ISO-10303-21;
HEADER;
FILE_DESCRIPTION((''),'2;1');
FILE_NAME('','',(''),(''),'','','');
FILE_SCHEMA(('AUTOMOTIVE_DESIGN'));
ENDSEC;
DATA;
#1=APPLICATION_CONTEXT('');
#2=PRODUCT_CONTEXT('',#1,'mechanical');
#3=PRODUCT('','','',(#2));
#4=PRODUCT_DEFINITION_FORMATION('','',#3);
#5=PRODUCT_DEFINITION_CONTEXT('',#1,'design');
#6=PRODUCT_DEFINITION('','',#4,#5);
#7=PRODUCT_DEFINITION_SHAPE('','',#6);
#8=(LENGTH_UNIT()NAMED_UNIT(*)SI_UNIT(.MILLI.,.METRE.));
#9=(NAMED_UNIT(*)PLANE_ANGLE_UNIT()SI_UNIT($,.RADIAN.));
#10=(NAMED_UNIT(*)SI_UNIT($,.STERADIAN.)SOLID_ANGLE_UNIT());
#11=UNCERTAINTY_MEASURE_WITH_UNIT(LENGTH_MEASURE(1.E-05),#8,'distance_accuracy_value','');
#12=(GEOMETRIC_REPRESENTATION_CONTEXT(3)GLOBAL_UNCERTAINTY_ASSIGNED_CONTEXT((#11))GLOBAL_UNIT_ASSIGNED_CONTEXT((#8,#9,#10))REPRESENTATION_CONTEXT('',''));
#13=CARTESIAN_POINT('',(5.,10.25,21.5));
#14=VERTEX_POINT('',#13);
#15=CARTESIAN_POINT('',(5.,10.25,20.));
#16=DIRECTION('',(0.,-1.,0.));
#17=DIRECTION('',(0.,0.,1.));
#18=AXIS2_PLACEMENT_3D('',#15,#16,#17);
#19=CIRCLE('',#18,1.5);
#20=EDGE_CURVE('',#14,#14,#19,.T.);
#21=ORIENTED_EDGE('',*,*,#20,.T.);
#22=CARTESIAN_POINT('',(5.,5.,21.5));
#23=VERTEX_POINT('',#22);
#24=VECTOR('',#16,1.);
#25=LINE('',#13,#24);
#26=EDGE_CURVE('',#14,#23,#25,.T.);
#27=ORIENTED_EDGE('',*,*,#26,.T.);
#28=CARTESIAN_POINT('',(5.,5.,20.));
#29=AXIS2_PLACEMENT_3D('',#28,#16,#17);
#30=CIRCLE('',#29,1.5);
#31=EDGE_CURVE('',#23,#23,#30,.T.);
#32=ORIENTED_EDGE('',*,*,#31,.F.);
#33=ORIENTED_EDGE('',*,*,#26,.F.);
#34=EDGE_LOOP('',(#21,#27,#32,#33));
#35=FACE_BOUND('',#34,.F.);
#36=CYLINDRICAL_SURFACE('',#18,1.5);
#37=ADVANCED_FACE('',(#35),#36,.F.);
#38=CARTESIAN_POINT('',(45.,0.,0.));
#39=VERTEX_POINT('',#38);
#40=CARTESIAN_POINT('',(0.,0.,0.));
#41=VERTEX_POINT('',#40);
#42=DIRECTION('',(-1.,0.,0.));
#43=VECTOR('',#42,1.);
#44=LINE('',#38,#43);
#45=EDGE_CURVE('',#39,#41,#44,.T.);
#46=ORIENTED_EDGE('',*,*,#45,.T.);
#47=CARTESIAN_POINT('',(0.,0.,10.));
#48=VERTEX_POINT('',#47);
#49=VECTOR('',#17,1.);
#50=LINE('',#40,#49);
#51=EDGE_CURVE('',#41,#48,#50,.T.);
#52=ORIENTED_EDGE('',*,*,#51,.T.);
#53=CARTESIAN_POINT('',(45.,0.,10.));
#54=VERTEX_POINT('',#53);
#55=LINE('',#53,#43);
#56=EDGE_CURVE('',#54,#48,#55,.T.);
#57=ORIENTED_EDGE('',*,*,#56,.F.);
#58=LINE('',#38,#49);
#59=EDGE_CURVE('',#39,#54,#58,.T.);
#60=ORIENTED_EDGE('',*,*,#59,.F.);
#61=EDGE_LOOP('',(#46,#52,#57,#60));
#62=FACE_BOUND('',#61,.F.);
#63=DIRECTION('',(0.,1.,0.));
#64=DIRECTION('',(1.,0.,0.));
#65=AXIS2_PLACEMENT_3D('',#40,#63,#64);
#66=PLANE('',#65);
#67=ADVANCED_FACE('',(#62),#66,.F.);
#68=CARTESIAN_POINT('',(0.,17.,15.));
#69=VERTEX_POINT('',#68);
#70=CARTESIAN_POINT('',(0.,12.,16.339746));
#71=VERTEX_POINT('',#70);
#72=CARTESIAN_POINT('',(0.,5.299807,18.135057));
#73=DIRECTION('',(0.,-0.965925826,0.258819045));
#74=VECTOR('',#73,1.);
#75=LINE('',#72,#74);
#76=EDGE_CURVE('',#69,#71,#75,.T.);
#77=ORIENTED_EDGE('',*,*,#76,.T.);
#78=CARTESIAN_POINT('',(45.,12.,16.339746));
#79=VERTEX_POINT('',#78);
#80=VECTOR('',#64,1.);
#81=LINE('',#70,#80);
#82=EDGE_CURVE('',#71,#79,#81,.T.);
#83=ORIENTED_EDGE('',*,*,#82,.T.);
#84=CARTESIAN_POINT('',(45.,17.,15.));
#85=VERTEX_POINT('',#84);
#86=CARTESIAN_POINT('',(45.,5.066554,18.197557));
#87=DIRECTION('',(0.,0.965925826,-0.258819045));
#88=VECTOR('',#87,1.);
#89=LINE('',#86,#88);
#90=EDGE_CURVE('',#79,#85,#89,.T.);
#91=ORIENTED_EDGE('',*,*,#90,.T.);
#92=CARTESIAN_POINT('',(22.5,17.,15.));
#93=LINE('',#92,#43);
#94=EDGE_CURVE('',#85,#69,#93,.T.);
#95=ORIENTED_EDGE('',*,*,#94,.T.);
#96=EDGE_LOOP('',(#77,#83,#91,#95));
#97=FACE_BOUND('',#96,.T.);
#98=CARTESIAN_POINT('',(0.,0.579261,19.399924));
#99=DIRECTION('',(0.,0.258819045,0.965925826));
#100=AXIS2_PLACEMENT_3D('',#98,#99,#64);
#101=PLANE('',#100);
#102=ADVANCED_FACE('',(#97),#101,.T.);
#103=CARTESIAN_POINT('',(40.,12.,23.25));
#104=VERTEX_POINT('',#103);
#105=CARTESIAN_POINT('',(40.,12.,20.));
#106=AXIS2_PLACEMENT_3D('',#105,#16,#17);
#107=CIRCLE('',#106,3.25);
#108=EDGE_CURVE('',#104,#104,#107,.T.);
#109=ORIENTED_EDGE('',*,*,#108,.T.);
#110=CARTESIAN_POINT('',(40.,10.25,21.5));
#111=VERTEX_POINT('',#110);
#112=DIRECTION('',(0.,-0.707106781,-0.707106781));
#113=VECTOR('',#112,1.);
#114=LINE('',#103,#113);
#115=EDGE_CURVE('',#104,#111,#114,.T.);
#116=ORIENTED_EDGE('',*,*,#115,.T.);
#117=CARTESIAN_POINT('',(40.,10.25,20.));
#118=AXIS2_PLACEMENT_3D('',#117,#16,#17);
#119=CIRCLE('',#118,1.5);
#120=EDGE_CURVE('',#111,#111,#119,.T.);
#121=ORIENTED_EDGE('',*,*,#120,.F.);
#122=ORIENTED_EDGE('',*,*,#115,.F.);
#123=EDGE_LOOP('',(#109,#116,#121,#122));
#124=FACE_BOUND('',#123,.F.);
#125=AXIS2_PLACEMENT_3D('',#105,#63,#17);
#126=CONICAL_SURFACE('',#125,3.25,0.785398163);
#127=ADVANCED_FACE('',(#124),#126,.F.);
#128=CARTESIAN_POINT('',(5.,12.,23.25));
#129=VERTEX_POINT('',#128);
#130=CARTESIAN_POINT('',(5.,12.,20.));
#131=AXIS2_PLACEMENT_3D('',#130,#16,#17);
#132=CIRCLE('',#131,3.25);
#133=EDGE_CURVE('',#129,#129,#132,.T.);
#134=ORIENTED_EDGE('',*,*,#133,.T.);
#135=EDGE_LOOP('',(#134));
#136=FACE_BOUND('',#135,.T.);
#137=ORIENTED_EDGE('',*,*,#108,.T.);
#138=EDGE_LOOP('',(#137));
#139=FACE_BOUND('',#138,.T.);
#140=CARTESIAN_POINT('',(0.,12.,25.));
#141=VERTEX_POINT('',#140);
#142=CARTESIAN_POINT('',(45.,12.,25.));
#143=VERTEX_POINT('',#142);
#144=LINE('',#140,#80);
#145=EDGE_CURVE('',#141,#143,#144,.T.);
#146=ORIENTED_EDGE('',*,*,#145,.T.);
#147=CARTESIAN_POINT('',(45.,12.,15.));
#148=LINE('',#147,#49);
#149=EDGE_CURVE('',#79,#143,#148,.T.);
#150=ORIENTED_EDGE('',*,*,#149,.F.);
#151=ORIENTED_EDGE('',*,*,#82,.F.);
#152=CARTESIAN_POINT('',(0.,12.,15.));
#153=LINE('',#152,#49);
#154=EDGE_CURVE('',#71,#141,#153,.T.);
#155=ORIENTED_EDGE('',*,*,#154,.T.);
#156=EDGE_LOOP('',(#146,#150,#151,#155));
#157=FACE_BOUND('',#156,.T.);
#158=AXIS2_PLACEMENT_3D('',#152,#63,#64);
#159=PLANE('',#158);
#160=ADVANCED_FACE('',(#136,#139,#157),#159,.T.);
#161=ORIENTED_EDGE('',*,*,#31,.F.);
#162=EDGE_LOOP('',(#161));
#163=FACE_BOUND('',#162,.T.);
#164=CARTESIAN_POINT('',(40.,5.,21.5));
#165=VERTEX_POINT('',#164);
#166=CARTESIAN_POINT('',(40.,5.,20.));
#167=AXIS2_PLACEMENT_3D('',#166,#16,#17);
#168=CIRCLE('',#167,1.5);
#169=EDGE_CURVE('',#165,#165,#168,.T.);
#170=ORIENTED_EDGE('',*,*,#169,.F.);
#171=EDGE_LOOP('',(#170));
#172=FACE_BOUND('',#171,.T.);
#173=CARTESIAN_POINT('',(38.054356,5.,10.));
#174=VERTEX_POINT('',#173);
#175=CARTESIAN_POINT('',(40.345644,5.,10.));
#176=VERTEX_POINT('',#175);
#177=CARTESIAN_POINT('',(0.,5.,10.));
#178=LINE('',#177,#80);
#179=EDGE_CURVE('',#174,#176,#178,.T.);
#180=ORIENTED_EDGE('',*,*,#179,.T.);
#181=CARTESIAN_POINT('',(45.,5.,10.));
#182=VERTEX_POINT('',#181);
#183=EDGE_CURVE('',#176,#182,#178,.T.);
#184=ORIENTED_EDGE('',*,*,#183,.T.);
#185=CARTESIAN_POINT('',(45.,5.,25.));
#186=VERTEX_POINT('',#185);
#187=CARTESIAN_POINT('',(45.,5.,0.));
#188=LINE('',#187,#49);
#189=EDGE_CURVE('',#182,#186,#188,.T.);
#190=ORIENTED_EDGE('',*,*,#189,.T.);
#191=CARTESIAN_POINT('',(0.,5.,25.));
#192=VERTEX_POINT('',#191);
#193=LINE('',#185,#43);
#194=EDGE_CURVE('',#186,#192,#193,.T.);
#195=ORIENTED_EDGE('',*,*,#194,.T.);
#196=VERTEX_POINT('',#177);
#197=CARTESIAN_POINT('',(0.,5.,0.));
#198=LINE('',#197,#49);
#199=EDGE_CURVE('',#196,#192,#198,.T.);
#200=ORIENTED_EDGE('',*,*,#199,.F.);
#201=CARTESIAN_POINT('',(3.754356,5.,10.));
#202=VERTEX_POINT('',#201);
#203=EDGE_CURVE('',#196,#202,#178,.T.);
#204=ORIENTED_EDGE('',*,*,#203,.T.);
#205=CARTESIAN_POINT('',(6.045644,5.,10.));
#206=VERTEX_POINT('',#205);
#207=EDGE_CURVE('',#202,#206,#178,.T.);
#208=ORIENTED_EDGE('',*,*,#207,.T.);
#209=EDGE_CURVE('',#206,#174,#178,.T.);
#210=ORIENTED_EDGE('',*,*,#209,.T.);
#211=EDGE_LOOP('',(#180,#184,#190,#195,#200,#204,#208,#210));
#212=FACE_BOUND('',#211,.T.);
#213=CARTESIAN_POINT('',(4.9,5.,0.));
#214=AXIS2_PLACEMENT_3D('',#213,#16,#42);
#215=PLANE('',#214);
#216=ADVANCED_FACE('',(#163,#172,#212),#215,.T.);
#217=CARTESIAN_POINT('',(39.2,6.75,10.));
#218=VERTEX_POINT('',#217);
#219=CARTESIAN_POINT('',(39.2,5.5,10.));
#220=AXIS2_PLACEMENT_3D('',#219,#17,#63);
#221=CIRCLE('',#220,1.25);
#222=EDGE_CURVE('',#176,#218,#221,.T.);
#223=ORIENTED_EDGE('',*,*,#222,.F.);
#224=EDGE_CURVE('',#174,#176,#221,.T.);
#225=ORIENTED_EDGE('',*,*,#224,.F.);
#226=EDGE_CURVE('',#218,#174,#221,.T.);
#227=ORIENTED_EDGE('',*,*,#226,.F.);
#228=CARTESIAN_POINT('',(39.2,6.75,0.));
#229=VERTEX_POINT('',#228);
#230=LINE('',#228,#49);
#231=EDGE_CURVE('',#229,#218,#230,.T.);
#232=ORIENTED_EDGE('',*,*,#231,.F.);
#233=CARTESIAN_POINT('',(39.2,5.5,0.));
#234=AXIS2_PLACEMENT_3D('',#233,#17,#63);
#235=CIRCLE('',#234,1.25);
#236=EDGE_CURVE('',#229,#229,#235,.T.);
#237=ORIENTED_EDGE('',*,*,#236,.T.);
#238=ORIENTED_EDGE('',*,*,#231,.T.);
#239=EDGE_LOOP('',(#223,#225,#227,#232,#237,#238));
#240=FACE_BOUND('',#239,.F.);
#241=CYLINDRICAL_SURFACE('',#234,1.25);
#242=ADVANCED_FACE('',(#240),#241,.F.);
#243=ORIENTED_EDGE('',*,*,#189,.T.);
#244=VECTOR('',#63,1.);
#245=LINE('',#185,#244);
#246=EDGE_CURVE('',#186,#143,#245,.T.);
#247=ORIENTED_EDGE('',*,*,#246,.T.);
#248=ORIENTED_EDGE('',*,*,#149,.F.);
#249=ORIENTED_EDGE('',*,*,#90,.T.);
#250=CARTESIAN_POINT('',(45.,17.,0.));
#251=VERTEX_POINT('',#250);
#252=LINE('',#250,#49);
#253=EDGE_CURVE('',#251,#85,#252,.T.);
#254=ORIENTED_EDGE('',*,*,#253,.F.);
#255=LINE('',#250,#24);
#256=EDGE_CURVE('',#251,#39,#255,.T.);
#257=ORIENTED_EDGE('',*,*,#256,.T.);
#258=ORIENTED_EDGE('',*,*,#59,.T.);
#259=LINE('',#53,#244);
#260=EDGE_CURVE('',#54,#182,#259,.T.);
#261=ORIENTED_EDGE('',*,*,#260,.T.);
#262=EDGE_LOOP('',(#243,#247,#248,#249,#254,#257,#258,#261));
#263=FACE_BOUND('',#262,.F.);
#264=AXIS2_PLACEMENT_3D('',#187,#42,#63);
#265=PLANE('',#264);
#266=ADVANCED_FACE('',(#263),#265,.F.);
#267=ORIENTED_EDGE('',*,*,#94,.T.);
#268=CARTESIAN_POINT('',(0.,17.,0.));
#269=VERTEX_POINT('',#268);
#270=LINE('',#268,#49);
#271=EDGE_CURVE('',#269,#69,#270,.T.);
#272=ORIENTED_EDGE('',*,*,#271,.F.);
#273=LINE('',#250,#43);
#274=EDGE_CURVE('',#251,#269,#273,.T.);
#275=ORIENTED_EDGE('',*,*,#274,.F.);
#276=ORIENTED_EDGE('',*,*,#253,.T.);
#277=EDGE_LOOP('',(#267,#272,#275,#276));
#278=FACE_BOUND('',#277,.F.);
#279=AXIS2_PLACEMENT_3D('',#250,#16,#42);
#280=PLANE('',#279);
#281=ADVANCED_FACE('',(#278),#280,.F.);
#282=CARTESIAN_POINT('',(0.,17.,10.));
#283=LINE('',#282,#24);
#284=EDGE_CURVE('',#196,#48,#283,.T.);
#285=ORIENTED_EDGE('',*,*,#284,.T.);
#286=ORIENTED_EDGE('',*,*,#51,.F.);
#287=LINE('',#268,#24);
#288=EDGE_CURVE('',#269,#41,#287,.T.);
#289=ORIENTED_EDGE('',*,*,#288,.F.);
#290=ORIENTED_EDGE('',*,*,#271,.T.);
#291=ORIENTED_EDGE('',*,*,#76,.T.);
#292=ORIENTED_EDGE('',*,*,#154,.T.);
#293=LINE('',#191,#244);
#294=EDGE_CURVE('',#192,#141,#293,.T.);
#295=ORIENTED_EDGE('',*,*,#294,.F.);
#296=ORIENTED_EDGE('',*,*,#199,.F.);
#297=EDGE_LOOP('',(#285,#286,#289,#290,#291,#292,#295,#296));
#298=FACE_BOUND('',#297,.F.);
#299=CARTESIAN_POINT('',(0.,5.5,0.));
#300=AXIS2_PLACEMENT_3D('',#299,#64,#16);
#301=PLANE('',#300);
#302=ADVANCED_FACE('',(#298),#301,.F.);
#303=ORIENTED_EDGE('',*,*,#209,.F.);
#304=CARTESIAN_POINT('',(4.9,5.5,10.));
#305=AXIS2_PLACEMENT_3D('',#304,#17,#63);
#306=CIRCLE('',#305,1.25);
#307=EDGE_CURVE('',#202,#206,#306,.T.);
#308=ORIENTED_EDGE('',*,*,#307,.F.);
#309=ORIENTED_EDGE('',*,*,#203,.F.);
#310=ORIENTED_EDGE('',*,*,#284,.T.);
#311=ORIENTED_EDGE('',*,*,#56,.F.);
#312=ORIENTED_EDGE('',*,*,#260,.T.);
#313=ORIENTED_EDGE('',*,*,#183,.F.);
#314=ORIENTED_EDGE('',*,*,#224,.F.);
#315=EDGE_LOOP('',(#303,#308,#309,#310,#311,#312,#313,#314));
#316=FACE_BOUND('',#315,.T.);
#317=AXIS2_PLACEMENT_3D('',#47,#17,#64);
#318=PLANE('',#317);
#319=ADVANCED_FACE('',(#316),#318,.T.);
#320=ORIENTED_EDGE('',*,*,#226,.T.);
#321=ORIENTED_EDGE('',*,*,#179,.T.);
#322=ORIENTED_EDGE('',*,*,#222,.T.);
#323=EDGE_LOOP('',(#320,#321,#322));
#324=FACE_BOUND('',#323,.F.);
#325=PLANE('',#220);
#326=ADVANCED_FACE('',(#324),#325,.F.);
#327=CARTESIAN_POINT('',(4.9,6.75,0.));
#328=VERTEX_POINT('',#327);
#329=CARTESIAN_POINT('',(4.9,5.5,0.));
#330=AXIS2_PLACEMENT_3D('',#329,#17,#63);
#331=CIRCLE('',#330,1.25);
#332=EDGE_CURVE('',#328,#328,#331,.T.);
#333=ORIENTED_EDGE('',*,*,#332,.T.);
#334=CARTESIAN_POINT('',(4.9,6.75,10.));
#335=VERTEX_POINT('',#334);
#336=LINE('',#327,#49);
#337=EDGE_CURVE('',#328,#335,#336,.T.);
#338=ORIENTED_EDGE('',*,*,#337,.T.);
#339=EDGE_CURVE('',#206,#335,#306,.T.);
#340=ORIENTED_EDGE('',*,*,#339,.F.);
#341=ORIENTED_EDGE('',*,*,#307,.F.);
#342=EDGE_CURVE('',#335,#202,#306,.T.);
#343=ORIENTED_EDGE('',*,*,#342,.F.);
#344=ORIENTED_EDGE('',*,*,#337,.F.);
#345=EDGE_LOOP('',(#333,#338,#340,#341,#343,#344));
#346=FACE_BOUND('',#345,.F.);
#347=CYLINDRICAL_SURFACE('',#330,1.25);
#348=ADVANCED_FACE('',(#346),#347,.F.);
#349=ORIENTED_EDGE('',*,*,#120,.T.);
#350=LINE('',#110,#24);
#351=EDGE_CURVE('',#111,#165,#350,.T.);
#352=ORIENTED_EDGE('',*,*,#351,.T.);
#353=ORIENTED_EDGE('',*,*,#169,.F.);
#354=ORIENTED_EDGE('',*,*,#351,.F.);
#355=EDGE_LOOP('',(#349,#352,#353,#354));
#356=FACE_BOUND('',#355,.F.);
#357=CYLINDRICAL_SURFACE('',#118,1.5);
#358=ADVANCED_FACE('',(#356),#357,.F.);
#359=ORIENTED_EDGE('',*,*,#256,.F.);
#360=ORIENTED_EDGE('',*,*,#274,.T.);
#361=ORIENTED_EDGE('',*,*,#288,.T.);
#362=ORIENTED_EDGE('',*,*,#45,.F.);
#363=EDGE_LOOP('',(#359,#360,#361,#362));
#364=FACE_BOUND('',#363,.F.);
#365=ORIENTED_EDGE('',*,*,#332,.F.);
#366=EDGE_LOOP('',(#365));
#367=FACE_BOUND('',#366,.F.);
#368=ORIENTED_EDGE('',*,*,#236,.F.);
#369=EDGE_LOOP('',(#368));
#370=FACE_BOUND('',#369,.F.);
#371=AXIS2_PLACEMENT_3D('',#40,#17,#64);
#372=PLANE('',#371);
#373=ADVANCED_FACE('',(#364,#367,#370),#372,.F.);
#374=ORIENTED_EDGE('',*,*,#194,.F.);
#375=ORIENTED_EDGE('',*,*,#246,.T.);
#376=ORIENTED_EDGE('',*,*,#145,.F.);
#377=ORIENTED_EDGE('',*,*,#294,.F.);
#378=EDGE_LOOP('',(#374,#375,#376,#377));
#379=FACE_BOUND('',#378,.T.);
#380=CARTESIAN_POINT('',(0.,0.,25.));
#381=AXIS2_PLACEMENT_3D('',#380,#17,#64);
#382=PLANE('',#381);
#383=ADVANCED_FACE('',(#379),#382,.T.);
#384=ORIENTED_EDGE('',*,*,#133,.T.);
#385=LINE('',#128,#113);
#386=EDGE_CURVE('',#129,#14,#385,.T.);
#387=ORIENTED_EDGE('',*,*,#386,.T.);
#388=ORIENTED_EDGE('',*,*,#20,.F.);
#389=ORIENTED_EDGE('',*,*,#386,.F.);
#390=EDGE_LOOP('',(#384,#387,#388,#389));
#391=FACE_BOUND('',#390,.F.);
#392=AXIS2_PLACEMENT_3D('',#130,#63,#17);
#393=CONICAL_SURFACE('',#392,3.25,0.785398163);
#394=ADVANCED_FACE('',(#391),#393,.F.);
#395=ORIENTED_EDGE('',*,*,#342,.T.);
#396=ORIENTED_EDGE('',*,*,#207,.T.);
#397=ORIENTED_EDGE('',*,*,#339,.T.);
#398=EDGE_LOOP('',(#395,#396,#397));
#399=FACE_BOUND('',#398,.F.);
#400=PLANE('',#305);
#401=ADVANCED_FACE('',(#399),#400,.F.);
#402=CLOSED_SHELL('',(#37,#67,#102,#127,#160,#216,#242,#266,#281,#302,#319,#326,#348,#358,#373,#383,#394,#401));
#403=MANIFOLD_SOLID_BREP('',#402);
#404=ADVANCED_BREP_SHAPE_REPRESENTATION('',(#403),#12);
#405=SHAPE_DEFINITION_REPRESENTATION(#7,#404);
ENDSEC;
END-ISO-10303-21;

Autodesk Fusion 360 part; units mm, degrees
sketch "Skizze1" plane through (0, 0, 0) normal (0, 0, 1) x (1, 0, 0)
  line L0 (0, 0) -> (45, 0)
  line L1 (45, 0) -> (45, 17)
  line L2 (45, 17) -> (0, 17)
  line L3 (0, 17) -> (0, 0)
  line L4 (0, 0) -> (45, 0)
  line L5 (45, 0) -> (45, 5)
  line L6 (45, 5) -> (0, 5)
  line L7 (0, 5) -> (0, 0)
  line L8 (45, 17) -> (0, 17)
  line L9 (0, 17) -> (0, 12)
  line L10 (0, 12) -> (45, 12)
  line L11 (45, 12) -> (45, 17)
  line L12 (45, 0) -> (39.2, 0)
  line L13 (39.2, 0) -> (39.2, 5.5)
  line L14 (39.2, 5.5) -> (45, 5.5)
  line L15 (45, 5.5) -> (45, 0)
  line L16 (0, 0) -> (4.9, 0)
  line L17 (4.9, 0) -> (4.9, 5.5)
  line L18 (4.9, 5.5) -> (0, 5.5)
  line L19 (0, 5.5) -> (0, 0)
  dimension "d1" = 45
  dimension "d2" = 17
  dimension "d3" = 5
  dimension "d8" = 5
  dimension "d12" = 5.8
  dimension "d13" = 5.5
  dimension "d14" = 4.9
  dimension "d15" = 5.5
extrude "Extrusion1" add sketch "Skizze1" along normal blind 25 contours L3 L6 L17 L18 L19 | L1 L3 L6 L10 L13 L14 L17 L18 | L1 L6 L13 L14 L15 | L1 L2 L3 L8 L9 L10 L11
extrude "Extrusion2" add sketch "Skizze1" along normal blind 10 contours L0 L3 L4 L6 L7 L16 L17 L19 | L0 L4 L6 L13 L17 | L0 L1 L4 L5 L6 L12 L13 L15
extrude "Extrusion3" cut sketch "Skizze1" along normal blind 10 from surface at 15 contours L1 L2 L3 L8 L9 L10 L11
sketch "Skizze2" plane through (0, 12, 0) normal (0, 1, 0) x (-1, 0, 0)
  line L0 (-45, 15) -> (0, 15)
  line L1 (0, 15) -> (0, 25)
  line L2 (0, 25) -> (-45, 25)
  line L3 (-45, 25) -> (-45, 15)
  line L4 (0, 25) -> (-5, 25)
  line L5 (-5, 25) -> (-5, 20)
  line L6 (-5, 20) -> (0, 20)
  line L7 (0, 20) -> (0, 25)
  line L8 (-45, 25) -> (-40, 25)
  line L9 (-40, 25) -> (-40, 20)
  line L10 (-40, 20) -> (-45, 20)
  line L11 (-45, 20) -> (-45, 25)
  dimension "d19" = 5
  dimension "d20" = 5
  dimension "d21" = 5
  dimension "d22" = 5
draft "Verjüngung1" angle 15 neutral plane through (45, 17, 0) pull (0, 1, 0) 1 faces at (15, 15.3333, 15)
hole "Bohrung3" at (39.2, 5.5, 0) at (4.9, 5.5, 0) direction (0, 0, 1) diameter 2.5 depth 10 tip angle 180
hole "Bohrung4" at (40, 12, 20) at (5, 12, 20) direction (0, -1, 0) diameter 3 depth 10 tip angle 180 countersink diameter 6.5 countersink angle 90
